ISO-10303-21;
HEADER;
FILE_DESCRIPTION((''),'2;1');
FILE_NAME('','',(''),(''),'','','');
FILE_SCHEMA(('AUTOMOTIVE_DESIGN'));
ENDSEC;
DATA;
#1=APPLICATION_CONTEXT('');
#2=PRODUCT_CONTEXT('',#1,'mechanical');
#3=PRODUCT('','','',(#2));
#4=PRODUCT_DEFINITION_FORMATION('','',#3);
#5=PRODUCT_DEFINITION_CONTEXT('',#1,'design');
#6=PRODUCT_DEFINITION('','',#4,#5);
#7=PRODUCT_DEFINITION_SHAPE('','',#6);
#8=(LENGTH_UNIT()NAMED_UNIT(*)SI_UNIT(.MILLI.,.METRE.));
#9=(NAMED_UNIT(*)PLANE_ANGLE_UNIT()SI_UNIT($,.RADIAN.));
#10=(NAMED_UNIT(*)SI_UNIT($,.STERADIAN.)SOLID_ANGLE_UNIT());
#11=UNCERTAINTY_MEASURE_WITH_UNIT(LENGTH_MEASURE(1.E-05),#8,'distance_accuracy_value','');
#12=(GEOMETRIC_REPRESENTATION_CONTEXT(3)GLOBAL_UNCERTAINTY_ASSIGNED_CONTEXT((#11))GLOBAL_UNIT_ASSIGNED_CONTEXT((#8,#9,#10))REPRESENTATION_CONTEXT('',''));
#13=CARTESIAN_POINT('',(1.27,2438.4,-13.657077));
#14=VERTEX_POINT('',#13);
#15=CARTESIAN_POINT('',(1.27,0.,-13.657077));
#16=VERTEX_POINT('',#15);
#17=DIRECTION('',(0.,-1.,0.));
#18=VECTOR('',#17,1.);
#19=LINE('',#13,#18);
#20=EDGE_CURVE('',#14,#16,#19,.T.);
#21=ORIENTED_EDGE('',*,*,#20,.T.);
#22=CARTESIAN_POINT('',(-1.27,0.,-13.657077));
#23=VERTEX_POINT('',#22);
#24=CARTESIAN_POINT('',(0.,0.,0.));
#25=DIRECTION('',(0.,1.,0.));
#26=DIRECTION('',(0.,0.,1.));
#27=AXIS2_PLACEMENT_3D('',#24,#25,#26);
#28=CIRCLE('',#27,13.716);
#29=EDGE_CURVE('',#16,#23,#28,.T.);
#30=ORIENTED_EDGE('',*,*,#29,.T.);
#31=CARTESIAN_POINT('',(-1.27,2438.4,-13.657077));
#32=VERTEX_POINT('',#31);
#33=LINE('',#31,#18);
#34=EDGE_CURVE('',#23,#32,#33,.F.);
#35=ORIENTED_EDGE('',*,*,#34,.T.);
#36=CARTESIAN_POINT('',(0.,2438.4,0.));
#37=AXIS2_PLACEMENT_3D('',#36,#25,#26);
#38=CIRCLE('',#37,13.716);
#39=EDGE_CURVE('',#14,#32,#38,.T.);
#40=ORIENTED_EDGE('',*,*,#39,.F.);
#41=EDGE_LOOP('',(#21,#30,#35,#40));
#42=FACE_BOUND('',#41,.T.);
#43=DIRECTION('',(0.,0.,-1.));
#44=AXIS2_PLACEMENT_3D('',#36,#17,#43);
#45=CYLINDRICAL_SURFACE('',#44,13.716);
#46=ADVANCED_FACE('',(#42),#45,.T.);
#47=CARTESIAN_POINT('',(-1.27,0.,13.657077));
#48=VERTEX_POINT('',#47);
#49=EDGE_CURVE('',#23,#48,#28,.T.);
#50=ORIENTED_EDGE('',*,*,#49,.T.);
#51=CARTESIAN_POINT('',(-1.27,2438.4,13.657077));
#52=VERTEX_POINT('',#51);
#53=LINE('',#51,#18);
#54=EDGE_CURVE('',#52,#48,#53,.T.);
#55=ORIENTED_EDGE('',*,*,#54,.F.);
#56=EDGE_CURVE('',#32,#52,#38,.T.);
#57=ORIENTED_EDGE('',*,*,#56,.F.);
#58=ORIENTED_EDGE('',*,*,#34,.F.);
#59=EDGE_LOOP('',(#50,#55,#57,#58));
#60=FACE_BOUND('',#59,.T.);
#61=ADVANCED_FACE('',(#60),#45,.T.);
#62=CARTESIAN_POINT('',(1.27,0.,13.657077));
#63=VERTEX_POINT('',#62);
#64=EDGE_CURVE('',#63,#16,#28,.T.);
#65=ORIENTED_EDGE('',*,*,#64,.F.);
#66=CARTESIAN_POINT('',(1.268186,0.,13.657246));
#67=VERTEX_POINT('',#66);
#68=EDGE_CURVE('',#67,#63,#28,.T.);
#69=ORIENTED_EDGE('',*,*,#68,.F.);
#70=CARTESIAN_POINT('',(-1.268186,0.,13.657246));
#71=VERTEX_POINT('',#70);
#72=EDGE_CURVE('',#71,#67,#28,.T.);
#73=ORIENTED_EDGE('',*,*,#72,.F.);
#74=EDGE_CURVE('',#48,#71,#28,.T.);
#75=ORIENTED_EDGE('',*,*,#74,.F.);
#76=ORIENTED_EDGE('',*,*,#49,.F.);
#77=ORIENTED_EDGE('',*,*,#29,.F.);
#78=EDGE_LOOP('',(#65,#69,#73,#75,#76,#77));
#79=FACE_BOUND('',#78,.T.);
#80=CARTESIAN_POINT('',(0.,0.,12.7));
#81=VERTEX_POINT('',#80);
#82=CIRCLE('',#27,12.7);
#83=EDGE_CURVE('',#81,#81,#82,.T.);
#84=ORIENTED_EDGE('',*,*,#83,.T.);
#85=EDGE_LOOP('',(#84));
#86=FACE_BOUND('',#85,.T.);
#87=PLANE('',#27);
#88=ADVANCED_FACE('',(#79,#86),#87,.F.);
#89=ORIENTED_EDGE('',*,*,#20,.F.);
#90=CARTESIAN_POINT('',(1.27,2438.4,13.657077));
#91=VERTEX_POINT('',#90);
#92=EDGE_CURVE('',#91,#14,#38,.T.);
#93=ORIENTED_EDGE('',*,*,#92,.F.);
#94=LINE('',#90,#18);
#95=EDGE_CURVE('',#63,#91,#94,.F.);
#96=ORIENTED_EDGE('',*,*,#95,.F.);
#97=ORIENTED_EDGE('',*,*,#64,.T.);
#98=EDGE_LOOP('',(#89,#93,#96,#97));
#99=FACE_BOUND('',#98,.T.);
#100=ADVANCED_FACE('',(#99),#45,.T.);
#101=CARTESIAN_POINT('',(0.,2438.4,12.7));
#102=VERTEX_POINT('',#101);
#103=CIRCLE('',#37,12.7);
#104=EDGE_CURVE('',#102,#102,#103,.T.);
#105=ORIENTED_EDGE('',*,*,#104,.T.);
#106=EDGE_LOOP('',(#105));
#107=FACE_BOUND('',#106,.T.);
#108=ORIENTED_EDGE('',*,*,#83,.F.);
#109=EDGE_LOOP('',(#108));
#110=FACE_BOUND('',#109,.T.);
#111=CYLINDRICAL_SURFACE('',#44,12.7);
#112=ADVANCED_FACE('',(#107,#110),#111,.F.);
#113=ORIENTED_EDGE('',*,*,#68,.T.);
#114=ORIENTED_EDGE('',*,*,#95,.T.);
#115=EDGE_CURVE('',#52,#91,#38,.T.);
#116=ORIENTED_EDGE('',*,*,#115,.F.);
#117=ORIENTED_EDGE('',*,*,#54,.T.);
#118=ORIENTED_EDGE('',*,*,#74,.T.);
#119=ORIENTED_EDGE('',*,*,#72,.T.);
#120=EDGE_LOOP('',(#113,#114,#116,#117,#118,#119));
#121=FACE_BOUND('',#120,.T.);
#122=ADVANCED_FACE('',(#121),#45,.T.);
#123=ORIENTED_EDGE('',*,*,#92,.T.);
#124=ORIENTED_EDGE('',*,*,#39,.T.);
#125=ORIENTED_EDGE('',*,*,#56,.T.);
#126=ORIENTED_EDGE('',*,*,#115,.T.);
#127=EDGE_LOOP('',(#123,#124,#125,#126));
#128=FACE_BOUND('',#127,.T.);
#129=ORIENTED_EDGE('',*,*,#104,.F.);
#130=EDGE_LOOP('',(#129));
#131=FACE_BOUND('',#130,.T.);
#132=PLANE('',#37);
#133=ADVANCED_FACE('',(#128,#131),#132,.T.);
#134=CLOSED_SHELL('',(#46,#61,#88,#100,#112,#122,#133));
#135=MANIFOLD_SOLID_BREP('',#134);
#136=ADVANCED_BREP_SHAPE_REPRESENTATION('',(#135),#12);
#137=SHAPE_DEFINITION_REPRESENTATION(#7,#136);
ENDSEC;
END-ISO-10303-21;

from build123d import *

# Parameters (mm, degrees)
SKETCH1_R           = 13.716
SKETCH1_R_2         = 12.7
BOSS_EXTRUDE1_DEPTH = 2438.4


with BuildPart() as part:
    # Sketch1 → Boss-Extrude1 (new body)
    with BuildSketch(Plane(origin=(0, 0, 0), x_dir=(1, 0, 0), z_dir=(0, 1, 0))):
        Circle(SKETCH1_R)
        Circle(SKETCH1_R_2, mode=Mode.SUBTRACT)
    extrude(amount=BOSS_EXTRUDE1_DEPTH)


solid = part.part
